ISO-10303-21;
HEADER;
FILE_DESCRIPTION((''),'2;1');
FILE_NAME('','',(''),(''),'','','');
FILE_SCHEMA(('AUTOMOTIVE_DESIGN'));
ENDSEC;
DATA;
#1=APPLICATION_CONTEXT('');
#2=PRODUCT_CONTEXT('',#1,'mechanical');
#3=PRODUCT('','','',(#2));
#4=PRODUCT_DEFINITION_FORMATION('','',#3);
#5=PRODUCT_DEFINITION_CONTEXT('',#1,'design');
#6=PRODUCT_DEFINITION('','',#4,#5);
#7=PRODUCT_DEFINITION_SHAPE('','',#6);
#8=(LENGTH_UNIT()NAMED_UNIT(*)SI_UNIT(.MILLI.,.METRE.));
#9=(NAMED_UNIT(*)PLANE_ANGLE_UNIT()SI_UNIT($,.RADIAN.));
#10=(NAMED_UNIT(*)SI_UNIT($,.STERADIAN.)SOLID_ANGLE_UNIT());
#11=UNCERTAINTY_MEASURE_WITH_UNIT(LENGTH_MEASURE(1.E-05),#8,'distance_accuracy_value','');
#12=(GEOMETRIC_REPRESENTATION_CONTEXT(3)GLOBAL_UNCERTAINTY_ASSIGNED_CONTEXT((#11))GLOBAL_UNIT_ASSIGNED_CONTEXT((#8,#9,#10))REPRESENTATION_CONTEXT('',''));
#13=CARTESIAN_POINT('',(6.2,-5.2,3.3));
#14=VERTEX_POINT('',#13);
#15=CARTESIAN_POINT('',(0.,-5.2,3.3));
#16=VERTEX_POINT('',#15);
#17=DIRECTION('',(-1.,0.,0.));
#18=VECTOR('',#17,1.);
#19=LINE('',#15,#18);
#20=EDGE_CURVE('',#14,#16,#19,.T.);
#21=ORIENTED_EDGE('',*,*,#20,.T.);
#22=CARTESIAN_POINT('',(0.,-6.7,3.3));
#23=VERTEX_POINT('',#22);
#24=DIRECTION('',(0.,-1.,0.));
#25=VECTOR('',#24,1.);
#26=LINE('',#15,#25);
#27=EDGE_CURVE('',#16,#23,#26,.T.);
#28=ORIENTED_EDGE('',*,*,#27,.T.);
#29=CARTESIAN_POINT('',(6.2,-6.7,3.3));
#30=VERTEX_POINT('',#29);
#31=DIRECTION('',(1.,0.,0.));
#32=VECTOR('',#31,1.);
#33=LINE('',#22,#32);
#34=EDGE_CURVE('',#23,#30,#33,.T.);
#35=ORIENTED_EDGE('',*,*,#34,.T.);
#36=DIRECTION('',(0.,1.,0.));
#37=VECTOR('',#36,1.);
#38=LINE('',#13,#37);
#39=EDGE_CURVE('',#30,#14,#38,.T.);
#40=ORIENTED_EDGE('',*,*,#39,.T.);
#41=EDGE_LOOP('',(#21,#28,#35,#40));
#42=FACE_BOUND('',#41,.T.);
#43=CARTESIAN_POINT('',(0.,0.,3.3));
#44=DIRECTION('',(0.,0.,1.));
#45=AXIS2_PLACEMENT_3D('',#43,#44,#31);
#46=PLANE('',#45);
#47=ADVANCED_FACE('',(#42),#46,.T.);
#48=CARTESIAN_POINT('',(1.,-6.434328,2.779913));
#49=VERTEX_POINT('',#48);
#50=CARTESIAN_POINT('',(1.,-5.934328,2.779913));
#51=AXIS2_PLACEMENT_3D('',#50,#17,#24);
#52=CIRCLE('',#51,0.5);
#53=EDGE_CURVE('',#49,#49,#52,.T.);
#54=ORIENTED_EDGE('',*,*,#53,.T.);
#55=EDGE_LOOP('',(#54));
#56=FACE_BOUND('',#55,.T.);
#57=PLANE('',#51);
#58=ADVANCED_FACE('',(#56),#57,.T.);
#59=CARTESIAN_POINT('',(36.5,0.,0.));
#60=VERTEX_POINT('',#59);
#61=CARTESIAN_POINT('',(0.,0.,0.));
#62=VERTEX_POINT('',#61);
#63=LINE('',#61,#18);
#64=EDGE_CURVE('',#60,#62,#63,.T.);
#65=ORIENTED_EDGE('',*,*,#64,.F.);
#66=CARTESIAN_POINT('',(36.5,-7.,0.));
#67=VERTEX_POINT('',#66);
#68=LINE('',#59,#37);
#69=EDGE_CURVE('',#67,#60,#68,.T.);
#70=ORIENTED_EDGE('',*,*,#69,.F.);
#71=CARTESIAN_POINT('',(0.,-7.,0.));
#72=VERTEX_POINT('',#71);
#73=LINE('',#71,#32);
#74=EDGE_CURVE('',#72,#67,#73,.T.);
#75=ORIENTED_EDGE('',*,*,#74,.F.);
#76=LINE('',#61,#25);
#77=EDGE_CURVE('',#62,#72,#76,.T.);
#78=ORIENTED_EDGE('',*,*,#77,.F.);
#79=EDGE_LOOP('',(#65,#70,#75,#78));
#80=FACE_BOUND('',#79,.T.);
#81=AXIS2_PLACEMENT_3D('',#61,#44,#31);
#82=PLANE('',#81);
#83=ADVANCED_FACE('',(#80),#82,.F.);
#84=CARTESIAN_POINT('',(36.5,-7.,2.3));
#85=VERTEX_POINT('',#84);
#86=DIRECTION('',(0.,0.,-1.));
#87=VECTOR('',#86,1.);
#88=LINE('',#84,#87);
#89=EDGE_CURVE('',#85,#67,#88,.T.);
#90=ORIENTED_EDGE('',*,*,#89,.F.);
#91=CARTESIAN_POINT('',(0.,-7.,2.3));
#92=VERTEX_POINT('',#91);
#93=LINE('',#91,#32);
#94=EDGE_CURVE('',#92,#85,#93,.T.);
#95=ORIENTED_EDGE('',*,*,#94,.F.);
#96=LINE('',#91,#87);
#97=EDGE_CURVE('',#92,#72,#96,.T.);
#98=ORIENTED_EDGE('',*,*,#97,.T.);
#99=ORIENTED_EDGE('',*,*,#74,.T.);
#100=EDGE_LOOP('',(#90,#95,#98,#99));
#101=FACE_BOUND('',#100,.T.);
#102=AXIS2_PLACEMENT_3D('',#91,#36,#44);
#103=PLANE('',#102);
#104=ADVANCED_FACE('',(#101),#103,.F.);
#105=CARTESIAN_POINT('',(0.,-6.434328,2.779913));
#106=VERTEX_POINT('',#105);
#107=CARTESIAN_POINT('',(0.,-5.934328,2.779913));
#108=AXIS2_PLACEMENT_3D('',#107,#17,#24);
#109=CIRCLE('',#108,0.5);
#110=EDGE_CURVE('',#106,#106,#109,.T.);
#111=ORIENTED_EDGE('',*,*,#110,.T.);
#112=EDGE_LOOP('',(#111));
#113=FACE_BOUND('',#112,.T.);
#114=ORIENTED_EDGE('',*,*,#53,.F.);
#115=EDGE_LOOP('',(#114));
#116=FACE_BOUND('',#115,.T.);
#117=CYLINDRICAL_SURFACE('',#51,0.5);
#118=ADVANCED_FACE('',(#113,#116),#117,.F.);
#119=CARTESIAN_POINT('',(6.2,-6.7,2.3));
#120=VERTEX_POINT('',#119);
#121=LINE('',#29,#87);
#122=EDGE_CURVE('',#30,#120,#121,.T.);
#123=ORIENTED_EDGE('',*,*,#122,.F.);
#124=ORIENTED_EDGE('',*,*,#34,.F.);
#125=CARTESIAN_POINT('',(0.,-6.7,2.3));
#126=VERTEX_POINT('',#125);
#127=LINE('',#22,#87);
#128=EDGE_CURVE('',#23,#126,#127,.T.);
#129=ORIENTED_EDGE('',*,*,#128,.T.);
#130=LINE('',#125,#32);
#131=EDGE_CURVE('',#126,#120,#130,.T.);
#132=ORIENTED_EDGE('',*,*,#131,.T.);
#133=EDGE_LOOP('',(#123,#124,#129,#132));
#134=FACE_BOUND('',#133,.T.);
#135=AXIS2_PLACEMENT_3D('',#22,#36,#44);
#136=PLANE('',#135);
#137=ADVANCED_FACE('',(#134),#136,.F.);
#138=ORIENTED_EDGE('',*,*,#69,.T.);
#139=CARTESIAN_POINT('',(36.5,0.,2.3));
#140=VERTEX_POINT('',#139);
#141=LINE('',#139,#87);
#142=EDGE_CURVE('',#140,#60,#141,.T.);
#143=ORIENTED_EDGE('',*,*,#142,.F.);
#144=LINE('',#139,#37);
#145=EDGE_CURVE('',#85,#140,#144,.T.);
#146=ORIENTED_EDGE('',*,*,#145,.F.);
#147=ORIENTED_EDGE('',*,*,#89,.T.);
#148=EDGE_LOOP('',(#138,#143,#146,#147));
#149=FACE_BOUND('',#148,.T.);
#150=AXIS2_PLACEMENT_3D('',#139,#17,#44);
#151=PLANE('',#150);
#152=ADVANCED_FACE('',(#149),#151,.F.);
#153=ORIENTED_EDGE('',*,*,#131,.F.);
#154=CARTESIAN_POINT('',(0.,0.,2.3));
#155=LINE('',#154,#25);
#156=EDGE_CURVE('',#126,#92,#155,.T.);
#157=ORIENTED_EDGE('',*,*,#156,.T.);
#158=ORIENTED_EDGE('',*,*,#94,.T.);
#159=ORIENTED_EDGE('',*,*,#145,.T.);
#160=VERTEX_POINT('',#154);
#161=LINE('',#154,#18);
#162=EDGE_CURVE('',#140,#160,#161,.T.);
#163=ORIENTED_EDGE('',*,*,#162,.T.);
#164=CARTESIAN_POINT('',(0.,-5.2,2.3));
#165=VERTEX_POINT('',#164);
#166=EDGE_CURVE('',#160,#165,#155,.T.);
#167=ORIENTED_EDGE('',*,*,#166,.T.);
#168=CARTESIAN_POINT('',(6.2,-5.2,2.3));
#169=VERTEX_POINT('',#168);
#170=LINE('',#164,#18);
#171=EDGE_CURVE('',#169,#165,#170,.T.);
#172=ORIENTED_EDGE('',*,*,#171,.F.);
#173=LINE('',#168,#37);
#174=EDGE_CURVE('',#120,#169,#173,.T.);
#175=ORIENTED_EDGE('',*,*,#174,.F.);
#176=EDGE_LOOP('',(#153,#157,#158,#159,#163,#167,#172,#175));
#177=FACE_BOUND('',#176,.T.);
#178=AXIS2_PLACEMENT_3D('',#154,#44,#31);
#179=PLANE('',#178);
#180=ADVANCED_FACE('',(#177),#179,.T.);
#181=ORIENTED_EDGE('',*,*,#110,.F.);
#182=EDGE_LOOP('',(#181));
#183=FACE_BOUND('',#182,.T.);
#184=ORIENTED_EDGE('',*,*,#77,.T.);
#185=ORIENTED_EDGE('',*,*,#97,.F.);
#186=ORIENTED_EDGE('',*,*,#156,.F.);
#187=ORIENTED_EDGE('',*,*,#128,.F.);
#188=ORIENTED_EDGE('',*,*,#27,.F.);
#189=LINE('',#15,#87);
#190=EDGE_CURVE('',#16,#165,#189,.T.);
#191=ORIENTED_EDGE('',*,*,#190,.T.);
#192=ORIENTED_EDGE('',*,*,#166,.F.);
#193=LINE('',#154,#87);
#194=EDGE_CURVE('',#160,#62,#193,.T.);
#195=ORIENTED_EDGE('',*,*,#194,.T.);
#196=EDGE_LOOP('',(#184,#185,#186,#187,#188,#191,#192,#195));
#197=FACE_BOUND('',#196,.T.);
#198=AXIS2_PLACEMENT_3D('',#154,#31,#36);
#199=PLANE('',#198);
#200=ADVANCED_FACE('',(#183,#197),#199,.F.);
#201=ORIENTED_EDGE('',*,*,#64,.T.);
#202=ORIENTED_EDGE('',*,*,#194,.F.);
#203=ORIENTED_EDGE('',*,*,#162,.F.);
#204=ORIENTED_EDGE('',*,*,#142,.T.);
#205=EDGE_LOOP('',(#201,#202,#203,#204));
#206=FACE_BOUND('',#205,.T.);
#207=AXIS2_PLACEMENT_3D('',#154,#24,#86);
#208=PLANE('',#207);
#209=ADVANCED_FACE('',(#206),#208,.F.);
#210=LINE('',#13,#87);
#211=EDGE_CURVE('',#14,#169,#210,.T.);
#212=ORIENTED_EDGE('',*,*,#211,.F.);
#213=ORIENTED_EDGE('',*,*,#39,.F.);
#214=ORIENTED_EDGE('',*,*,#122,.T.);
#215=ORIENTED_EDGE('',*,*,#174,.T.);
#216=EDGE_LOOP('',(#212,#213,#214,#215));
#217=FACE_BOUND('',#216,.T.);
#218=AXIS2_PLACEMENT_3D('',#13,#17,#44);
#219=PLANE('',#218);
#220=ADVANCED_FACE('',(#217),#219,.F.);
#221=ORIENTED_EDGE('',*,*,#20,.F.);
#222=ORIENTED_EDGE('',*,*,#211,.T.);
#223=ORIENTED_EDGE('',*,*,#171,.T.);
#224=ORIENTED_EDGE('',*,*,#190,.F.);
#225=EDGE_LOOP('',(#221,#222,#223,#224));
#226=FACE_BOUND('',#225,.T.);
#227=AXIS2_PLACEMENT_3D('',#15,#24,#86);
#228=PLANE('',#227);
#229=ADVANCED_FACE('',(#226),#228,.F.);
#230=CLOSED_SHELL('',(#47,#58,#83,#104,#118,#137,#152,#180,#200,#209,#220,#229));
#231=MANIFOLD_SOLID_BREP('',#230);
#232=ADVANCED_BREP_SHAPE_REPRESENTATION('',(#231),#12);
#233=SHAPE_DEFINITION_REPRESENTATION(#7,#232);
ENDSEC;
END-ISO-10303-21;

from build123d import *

# Parameters (mm, degrees)
SKETCH1_W           = 36.5
SKETCH1_H           = 7
BOSS_EXTRUDE1_DEPTH = 2.3
SKETCH2_W           = 6.2
SKETCH2_H           = 1.5
BOSS_EXTRUDE2_DEPTH = 1
SKETCH3_R           = 0.5
CUT_EXTRUDE1_DEPTH  = 1


with BuildPart() as part:
    # Sketch1 → Boss-Extrude1 (new body)
    with BuildSketch(Plane.XY):
        with Locations((18.25, -3.5)):
            Rectangle(SKETCH1_W, SKETCH1_H)
    extrude(amount=BOSS_EXTRUDE1_DEPTH)

    # Sketch2 → Boss-Extrude2 (add)
    with BuildSketch(Plane.XY.offset(2.3)):
        with Locations((3.1, -5.95)):
            Rectangle(SKETCH2_W, SKETCH2_H)
    extrude(amount=BOSS_EXTRUDE2_DEPTH)

    # Sketch3 → Cut-Extrude1 (cut)
    with BuildSketch(Plane.ZY):
        with Locations(Location((2.779912682, -5.934327953, 0), (0, 0, 270))):
            Circle(SKETCH3_R)
    extrude(amount=-CUT_EXTRUDE1_DEPTH, mode=Mode.SUBTRACT)


solid = part.part
